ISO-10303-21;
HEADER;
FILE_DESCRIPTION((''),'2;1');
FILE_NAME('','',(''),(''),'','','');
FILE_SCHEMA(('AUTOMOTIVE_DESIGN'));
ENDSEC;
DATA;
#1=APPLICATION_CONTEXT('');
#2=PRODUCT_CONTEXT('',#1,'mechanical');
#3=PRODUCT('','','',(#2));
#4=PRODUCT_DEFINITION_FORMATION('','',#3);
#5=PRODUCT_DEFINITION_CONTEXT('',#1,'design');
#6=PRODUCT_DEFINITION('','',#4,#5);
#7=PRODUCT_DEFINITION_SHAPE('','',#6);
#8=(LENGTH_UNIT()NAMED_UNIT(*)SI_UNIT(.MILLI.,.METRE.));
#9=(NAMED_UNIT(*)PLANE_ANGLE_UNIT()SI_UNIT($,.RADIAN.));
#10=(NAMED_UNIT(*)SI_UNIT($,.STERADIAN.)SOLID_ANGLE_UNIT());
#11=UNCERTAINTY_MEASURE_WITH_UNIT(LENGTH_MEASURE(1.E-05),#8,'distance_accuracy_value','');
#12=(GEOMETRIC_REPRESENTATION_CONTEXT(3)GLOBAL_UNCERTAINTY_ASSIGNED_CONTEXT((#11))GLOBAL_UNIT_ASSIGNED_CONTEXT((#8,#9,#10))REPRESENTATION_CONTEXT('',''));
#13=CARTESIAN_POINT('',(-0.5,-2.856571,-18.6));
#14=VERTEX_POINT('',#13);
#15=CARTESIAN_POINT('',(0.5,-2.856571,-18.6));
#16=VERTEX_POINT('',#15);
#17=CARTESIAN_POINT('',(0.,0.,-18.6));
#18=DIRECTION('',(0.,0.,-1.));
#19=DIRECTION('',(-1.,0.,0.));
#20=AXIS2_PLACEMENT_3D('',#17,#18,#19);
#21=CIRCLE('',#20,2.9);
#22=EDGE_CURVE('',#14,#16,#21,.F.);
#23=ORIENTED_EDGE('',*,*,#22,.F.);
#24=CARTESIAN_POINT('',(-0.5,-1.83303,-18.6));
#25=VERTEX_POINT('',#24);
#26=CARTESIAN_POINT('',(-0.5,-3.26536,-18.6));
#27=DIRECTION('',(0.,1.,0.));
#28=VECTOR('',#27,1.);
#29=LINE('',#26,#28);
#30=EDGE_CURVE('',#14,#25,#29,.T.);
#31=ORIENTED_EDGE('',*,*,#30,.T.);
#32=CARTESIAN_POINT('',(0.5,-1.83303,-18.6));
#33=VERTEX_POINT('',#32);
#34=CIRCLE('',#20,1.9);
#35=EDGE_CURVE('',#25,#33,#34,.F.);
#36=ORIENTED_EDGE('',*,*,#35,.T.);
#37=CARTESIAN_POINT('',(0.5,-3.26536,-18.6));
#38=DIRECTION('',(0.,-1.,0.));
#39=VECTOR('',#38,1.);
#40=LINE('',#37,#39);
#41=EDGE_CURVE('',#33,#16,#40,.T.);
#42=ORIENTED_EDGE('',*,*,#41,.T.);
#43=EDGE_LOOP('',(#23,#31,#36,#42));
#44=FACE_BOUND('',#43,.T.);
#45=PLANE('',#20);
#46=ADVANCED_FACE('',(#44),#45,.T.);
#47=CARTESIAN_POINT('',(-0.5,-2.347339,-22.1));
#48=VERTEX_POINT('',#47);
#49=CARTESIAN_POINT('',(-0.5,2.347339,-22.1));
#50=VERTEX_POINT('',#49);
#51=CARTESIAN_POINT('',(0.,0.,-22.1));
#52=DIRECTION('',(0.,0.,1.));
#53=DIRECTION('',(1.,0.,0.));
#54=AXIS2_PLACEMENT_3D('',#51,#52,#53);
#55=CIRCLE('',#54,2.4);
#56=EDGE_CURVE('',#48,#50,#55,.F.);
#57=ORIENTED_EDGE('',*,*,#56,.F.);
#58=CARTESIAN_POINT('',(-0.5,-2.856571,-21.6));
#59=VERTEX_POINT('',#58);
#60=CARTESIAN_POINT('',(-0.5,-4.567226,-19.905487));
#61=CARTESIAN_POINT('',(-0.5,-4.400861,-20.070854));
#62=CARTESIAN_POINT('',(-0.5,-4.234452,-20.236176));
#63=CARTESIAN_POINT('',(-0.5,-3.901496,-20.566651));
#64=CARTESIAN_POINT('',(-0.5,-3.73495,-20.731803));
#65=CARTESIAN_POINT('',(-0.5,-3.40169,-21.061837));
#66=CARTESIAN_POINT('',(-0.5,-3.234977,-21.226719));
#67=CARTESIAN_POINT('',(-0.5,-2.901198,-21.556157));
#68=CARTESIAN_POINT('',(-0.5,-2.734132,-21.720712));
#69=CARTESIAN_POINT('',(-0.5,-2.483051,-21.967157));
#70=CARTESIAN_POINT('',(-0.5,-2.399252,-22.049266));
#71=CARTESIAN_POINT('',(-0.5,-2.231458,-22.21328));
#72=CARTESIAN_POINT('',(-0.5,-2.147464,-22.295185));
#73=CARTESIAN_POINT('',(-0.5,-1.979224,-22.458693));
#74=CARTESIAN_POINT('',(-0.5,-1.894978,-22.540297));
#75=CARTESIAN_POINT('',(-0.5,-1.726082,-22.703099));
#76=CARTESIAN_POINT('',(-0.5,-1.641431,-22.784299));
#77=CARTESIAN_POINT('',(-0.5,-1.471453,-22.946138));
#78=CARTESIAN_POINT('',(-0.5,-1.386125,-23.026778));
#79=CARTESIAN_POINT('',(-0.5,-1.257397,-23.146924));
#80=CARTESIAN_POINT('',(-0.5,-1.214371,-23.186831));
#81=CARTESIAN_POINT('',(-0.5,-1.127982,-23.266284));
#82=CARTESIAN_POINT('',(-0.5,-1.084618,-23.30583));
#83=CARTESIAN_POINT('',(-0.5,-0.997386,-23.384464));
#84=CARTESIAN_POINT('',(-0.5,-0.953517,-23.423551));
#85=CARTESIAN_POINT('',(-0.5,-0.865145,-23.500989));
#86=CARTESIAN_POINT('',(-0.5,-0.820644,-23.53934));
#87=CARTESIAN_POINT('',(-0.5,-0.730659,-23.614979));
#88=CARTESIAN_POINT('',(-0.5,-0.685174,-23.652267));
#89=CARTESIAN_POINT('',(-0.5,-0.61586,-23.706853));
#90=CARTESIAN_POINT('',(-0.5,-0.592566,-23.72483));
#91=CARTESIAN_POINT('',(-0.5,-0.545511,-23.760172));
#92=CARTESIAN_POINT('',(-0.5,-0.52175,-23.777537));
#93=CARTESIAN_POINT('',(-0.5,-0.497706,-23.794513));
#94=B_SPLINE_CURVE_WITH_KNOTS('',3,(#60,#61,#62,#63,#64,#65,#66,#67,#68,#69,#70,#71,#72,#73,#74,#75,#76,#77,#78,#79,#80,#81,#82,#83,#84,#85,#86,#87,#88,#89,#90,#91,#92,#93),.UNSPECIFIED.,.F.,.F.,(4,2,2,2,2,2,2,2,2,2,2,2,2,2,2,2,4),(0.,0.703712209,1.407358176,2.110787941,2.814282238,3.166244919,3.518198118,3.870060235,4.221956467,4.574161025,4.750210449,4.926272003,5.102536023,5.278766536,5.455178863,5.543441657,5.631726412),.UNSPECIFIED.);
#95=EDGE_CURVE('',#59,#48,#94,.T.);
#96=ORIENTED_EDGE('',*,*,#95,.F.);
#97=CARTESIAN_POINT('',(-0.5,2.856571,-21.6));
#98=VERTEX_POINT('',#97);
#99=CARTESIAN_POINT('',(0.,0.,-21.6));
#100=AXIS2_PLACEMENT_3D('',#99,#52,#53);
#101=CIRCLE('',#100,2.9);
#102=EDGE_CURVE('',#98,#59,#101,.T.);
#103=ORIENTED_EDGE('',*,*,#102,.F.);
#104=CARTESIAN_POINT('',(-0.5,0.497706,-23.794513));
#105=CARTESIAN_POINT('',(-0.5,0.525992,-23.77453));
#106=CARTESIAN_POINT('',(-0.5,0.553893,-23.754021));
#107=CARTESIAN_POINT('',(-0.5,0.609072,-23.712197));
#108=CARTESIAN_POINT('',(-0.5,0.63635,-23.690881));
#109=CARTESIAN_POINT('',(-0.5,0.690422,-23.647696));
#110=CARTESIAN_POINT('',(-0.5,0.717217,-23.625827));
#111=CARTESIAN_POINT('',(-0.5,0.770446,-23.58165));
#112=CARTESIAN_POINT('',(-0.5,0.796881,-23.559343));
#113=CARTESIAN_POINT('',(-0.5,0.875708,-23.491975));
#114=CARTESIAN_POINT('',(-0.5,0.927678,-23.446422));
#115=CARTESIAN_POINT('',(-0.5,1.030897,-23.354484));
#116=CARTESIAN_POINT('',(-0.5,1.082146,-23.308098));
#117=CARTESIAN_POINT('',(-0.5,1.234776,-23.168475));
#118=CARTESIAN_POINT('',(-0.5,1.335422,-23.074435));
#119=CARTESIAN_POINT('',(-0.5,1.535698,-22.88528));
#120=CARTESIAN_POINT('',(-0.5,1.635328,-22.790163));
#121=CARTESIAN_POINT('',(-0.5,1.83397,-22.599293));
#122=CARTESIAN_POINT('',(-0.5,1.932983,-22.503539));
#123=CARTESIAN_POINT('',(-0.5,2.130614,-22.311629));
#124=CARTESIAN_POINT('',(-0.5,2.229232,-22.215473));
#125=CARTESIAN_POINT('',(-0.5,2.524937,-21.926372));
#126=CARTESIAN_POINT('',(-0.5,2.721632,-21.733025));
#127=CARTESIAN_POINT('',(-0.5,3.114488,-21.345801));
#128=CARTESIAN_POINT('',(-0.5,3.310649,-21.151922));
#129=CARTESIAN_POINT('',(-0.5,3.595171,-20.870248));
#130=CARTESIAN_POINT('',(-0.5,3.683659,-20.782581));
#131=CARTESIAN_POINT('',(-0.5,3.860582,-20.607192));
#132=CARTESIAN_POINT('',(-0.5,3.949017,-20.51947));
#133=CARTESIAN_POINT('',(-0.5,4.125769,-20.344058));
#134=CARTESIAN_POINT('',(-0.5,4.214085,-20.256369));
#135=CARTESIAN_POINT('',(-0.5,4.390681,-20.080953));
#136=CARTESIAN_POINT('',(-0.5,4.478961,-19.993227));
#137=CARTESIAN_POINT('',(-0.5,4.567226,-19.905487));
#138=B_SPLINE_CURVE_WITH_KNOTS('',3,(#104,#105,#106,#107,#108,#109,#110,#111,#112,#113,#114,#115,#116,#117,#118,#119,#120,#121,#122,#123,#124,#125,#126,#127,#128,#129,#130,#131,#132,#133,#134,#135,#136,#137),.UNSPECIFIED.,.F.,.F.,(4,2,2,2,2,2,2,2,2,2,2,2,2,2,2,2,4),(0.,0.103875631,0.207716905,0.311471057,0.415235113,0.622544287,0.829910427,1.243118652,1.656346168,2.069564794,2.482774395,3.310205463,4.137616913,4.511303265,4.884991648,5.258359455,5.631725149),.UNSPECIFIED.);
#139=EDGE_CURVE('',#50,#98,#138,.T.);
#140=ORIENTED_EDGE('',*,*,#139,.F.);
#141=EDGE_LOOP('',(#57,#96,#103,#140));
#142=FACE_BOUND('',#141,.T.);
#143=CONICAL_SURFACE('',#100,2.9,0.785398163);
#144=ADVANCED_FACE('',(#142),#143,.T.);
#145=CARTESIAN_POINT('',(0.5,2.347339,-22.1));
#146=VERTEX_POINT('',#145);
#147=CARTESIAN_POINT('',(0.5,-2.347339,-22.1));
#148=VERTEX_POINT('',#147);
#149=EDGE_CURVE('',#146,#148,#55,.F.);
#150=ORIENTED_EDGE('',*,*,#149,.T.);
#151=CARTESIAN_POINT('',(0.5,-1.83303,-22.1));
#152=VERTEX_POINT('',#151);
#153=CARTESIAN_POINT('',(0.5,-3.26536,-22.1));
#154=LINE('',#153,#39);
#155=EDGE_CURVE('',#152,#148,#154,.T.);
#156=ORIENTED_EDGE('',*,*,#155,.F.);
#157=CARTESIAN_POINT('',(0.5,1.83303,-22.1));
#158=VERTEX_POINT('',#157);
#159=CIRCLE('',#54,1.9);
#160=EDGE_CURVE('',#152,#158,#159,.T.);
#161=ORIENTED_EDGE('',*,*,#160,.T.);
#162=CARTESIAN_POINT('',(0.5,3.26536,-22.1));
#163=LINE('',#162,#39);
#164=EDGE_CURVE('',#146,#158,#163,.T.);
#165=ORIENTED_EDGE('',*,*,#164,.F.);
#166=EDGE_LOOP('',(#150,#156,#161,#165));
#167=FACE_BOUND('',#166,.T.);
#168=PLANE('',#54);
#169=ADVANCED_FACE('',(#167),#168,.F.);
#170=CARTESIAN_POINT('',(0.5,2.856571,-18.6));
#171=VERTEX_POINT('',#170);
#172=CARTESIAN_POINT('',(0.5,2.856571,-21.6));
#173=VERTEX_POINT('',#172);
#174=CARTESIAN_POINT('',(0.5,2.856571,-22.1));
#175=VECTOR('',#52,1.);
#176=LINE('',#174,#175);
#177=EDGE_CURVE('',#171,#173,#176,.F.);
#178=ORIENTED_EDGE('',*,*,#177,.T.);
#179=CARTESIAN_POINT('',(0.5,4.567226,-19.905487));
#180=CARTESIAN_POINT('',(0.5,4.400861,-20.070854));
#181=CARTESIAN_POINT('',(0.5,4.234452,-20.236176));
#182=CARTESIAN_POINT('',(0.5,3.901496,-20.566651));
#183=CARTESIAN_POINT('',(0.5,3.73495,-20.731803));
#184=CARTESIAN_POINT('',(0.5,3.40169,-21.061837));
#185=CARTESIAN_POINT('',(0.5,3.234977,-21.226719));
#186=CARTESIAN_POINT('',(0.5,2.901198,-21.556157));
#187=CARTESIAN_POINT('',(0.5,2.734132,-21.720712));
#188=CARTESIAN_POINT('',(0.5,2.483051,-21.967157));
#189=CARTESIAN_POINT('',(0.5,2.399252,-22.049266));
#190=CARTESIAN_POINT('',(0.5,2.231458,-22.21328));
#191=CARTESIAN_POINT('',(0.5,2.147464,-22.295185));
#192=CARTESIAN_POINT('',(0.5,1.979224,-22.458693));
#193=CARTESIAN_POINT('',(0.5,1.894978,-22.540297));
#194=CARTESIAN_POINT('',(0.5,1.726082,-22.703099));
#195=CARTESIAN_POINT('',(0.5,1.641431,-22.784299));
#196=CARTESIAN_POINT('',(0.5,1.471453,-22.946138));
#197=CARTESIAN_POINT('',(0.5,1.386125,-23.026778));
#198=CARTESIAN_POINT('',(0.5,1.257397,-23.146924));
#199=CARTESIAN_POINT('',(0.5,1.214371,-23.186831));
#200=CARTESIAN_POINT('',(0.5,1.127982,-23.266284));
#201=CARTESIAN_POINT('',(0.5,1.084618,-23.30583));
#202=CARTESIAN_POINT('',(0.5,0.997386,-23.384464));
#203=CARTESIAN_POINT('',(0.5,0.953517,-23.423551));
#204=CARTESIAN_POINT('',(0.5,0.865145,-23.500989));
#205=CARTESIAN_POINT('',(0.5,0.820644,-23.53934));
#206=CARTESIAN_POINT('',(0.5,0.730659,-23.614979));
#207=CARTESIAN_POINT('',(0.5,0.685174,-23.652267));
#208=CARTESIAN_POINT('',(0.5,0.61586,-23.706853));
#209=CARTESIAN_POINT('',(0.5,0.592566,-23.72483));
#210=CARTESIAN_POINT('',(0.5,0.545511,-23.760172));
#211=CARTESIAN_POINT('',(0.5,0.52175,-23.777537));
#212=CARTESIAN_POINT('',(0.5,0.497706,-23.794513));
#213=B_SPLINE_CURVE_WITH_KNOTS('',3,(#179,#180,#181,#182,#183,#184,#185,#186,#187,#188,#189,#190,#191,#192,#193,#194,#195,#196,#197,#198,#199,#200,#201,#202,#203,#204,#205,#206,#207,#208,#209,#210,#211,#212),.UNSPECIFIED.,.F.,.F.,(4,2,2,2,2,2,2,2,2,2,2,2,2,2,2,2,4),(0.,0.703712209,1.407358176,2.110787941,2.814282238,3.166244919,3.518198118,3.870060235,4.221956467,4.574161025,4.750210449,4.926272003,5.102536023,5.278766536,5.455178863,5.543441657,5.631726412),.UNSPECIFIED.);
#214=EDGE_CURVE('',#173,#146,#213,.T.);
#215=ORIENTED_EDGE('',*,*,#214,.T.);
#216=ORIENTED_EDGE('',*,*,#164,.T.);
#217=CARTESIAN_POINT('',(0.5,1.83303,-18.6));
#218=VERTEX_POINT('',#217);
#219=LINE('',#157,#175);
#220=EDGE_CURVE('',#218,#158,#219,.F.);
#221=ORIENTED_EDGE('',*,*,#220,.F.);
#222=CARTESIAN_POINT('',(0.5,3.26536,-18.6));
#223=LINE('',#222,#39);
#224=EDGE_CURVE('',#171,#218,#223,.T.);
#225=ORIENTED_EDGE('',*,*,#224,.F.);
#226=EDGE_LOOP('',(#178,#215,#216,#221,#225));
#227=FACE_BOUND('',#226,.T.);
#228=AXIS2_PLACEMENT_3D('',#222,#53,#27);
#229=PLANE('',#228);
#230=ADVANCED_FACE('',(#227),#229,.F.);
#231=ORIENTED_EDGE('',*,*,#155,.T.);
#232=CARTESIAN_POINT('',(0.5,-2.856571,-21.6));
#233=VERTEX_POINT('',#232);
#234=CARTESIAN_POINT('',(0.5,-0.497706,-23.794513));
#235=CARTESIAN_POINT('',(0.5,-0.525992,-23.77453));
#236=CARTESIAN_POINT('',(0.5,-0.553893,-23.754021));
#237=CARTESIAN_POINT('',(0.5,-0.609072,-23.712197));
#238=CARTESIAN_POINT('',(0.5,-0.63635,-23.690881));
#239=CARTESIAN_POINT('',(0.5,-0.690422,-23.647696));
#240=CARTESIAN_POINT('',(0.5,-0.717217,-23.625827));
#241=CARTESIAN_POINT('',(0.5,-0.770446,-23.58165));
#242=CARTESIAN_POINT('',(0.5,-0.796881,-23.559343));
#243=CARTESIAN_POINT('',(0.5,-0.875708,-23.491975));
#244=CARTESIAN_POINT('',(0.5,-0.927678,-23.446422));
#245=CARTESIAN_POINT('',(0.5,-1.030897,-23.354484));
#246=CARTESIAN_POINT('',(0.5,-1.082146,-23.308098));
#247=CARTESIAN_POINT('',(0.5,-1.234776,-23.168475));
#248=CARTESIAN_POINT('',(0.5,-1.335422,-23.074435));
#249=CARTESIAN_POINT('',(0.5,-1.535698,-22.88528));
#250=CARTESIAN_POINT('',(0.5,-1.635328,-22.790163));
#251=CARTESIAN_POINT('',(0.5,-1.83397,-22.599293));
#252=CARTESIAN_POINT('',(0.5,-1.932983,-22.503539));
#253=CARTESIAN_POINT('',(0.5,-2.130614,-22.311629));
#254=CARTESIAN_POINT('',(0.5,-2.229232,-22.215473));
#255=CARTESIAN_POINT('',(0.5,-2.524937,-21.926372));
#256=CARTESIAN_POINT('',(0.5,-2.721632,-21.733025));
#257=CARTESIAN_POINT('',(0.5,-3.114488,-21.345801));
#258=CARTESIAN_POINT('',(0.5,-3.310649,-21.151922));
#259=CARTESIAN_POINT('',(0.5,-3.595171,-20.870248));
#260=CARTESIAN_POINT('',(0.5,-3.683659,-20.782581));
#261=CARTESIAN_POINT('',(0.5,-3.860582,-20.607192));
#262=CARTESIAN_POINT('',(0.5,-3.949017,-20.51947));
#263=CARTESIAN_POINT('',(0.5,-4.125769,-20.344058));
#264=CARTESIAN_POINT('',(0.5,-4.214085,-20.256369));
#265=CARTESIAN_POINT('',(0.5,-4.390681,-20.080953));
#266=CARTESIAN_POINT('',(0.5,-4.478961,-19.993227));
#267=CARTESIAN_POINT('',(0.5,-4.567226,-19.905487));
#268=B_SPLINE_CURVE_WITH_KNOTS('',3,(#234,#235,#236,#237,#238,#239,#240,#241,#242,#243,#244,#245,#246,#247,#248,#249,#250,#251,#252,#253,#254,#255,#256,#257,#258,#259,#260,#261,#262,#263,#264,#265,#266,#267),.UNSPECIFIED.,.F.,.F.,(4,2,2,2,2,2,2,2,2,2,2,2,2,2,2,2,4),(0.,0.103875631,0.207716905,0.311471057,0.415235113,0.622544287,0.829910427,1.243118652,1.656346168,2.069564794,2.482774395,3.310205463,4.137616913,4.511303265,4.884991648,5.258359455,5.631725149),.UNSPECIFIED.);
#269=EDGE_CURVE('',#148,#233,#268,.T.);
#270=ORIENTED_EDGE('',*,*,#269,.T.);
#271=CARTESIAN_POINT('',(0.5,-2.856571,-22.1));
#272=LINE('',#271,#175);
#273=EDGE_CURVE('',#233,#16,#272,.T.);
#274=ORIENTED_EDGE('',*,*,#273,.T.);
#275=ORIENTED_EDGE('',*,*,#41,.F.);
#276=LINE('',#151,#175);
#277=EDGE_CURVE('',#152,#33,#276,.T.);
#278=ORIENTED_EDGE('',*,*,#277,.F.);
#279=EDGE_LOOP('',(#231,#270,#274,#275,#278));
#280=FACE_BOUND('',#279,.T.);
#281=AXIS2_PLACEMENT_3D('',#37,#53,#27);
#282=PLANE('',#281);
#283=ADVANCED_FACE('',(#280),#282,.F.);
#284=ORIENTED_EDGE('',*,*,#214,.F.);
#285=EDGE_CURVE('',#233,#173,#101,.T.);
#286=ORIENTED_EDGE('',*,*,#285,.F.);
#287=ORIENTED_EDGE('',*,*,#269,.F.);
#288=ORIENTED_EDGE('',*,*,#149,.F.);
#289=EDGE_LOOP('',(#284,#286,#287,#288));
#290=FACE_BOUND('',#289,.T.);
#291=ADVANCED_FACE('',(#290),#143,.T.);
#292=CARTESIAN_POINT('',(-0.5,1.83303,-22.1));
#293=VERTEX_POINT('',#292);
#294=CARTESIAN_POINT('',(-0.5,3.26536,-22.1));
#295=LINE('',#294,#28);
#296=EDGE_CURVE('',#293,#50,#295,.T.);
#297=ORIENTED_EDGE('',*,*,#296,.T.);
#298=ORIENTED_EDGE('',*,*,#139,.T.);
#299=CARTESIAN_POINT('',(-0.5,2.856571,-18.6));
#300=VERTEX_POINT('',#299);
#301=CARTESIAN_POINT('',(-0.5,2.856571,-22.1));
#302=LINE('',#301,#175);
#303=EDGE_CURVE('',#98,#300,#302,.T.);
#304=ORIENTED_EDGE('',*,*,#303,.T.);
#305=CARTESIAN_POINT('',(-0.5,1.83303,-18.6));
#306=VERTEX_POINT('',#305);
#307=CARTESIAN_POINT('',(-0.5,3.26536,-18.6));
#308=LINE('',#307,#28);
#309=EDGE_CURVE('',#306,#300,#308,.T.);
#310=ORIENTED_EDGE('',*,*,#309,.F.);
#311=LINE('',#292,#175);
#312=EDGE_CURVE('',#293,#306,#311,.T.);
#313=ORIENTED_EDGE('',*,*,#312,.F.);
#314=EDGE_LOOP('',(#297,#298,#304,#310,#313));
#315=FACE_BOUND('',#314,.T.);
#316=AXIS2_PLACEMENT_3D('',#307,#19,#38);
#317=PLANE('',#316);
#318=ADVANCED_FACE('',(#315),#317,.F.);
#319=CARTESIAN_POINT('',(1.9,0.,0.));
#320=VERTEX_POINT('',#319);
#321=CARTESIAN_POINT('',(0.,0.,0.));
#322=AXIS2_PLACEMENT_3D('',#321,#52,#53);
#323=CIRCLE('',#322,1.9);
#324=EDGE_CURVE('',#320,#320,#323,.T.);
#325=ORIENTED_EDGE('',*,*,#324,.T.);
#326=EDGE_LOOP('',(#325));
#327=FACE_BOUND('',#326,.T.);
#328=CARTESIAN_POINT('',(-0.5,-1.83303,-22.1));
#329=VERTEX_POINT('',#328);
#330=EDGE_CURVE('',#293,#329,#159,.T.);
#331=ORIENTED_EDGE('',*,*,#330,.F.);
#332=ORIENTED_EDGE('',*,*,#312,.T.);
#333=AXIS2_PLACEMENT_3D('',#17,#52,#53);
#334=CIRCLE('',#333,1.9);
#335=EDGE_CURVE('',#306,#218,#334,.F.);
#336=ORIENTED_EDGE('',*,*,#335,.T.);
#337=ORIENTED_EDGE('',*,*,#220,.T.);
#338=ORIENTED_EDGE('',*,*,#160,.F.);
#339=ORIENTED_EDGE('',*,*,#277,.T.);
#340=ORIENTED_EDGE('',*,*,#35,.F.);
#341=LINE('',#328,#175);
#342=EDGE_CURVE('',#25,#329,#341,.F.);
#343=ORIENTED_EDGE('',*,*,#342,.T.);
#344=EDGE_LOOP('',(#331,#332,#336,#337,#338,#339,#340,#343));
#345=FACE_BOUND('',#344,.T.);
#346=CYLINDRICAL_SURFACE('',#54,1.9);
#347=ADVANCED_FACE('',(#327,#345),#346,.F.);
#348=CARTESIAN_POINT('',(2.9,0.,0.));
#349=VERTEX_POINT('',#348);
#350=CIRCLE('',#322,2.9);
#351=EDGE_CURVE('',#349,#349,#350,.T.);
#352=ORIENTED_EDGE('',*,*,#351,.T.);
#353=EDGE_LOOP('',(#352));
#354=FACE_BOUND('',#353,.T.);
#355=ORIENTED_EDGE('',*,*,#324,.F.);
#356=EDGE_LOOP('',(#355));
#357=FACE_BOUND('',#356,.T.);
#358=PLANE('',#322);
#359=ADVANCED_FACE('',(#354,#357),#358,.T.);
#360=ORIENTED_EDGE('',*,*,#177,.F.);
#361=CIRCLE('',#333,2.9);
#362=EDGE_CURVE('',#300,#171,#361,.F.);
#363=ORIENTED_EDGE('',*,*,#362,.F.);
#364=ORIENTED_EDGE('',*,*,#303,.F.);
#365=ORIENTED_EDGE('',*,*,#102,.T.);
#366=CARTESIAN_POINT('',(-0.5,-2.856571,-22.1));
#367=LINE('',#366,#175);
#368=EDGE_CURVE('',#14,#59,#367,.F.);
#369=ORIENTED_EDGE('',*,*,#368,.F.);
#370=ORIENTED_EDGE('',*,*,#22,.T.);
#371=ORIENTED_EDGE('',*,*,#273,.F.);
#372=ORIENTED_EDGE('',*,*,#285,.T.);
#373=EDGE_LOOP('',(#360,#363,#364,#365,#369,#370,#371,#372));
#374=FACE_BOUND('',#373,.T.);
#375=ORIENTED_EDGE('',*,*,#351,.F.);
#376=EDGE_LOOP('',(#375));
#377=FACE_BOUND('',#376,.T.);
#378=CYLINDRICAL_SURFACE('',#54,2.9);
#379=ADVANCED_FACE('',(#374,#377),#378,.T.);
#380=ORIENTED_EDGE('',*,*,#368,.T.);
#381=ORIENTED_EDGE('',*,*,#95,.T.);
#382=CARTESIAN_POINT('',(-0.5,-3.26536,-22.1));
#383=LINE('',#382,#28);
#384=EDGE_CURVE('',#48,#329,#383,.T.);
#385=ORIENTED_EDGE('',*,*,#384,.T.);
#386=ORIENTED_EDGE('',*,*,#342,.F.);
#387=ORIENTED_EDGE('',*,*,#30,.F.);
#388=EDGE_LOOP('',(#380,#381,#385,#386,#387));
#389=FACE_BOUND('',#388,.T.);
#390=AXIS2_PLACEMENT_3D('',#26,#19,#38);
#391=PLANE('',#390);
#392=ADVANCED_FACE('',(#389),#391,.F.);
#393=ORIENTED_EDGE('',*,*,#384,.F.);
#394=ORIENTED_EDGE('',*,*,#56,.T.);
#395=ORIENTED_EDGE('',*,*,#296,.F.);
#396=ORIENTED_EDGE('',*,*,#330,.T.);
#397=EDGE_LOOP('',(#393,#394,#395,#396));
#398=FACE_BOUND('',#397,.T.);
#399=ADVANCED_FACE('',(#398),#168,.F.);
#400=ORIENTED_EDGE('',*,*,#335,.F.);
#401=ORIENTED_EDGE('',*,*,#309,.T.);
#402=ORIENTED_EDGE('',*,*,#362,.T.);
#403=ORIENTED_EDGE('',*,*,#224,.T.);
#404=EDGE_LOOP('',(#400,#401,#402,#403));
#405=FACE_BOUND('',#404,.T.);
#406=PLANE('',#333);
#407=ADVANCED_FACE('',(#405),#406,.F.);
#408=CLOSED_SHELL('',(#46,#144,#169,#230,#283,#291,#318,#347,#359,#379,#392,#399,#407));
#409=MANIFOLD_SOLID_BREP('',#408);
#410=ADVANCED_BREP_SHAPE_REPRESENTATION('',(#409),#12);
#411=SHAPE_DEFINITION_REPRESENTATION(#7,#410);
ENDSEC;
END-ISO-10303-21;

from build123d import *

# Parameters (mm, degrees)
SKETCH_1_R          = 2.9
SKETCH_1_R_2        = 1.9
EXTRUDE_1_DEPTH     = 22.1
CHAMFER_1_SIZE      = 0.5
SKETCH_3_W          = 1
SKETCH_3_H          = 1.984217256
CUT_EXTRUDE_1_DEPTH = 3.5


with BuildPart() as part:
    # 草图1 → 拉伸-薄壁1 (new body)
    with BuildSketch(Plane.XY):
        Circle(SKETCH_1_R)
        Circle(SKETCH_1_R_2, mode=Mode.SUBTRACT)
    extrude(amount=-EXTRUDE_1_DEPTH)

    # 倒角1
    chamfer_1_edges = [part.edges().sort_by_distance(p)[0] for p in [
        (-2.9, 0, -22.1),
    ]]
    chamfer(chamfer_1_edges, length=CHAMFER_1_SIZE)

    # 草图3 → 切除-拉伸1 (cut)
    with BuildSketch(Plane(origin=(0, 0, -22.1), x_dir=(-1, 0, 0), z_dir=(0, 0, -1))):
        with Locations((0, -2.273251869)):
            Rectangle(SKETCH_3_W, SKETCH_3_H)
        with Locations((0, 2.273251869)):
            Rectangle(SKETCH_3_W, SKETCH_3_H)
    extrude(amount=-CUT_EXTRUDE_1_DEPTH, mode=Mode.SUBTRACT)


solid = part.part
